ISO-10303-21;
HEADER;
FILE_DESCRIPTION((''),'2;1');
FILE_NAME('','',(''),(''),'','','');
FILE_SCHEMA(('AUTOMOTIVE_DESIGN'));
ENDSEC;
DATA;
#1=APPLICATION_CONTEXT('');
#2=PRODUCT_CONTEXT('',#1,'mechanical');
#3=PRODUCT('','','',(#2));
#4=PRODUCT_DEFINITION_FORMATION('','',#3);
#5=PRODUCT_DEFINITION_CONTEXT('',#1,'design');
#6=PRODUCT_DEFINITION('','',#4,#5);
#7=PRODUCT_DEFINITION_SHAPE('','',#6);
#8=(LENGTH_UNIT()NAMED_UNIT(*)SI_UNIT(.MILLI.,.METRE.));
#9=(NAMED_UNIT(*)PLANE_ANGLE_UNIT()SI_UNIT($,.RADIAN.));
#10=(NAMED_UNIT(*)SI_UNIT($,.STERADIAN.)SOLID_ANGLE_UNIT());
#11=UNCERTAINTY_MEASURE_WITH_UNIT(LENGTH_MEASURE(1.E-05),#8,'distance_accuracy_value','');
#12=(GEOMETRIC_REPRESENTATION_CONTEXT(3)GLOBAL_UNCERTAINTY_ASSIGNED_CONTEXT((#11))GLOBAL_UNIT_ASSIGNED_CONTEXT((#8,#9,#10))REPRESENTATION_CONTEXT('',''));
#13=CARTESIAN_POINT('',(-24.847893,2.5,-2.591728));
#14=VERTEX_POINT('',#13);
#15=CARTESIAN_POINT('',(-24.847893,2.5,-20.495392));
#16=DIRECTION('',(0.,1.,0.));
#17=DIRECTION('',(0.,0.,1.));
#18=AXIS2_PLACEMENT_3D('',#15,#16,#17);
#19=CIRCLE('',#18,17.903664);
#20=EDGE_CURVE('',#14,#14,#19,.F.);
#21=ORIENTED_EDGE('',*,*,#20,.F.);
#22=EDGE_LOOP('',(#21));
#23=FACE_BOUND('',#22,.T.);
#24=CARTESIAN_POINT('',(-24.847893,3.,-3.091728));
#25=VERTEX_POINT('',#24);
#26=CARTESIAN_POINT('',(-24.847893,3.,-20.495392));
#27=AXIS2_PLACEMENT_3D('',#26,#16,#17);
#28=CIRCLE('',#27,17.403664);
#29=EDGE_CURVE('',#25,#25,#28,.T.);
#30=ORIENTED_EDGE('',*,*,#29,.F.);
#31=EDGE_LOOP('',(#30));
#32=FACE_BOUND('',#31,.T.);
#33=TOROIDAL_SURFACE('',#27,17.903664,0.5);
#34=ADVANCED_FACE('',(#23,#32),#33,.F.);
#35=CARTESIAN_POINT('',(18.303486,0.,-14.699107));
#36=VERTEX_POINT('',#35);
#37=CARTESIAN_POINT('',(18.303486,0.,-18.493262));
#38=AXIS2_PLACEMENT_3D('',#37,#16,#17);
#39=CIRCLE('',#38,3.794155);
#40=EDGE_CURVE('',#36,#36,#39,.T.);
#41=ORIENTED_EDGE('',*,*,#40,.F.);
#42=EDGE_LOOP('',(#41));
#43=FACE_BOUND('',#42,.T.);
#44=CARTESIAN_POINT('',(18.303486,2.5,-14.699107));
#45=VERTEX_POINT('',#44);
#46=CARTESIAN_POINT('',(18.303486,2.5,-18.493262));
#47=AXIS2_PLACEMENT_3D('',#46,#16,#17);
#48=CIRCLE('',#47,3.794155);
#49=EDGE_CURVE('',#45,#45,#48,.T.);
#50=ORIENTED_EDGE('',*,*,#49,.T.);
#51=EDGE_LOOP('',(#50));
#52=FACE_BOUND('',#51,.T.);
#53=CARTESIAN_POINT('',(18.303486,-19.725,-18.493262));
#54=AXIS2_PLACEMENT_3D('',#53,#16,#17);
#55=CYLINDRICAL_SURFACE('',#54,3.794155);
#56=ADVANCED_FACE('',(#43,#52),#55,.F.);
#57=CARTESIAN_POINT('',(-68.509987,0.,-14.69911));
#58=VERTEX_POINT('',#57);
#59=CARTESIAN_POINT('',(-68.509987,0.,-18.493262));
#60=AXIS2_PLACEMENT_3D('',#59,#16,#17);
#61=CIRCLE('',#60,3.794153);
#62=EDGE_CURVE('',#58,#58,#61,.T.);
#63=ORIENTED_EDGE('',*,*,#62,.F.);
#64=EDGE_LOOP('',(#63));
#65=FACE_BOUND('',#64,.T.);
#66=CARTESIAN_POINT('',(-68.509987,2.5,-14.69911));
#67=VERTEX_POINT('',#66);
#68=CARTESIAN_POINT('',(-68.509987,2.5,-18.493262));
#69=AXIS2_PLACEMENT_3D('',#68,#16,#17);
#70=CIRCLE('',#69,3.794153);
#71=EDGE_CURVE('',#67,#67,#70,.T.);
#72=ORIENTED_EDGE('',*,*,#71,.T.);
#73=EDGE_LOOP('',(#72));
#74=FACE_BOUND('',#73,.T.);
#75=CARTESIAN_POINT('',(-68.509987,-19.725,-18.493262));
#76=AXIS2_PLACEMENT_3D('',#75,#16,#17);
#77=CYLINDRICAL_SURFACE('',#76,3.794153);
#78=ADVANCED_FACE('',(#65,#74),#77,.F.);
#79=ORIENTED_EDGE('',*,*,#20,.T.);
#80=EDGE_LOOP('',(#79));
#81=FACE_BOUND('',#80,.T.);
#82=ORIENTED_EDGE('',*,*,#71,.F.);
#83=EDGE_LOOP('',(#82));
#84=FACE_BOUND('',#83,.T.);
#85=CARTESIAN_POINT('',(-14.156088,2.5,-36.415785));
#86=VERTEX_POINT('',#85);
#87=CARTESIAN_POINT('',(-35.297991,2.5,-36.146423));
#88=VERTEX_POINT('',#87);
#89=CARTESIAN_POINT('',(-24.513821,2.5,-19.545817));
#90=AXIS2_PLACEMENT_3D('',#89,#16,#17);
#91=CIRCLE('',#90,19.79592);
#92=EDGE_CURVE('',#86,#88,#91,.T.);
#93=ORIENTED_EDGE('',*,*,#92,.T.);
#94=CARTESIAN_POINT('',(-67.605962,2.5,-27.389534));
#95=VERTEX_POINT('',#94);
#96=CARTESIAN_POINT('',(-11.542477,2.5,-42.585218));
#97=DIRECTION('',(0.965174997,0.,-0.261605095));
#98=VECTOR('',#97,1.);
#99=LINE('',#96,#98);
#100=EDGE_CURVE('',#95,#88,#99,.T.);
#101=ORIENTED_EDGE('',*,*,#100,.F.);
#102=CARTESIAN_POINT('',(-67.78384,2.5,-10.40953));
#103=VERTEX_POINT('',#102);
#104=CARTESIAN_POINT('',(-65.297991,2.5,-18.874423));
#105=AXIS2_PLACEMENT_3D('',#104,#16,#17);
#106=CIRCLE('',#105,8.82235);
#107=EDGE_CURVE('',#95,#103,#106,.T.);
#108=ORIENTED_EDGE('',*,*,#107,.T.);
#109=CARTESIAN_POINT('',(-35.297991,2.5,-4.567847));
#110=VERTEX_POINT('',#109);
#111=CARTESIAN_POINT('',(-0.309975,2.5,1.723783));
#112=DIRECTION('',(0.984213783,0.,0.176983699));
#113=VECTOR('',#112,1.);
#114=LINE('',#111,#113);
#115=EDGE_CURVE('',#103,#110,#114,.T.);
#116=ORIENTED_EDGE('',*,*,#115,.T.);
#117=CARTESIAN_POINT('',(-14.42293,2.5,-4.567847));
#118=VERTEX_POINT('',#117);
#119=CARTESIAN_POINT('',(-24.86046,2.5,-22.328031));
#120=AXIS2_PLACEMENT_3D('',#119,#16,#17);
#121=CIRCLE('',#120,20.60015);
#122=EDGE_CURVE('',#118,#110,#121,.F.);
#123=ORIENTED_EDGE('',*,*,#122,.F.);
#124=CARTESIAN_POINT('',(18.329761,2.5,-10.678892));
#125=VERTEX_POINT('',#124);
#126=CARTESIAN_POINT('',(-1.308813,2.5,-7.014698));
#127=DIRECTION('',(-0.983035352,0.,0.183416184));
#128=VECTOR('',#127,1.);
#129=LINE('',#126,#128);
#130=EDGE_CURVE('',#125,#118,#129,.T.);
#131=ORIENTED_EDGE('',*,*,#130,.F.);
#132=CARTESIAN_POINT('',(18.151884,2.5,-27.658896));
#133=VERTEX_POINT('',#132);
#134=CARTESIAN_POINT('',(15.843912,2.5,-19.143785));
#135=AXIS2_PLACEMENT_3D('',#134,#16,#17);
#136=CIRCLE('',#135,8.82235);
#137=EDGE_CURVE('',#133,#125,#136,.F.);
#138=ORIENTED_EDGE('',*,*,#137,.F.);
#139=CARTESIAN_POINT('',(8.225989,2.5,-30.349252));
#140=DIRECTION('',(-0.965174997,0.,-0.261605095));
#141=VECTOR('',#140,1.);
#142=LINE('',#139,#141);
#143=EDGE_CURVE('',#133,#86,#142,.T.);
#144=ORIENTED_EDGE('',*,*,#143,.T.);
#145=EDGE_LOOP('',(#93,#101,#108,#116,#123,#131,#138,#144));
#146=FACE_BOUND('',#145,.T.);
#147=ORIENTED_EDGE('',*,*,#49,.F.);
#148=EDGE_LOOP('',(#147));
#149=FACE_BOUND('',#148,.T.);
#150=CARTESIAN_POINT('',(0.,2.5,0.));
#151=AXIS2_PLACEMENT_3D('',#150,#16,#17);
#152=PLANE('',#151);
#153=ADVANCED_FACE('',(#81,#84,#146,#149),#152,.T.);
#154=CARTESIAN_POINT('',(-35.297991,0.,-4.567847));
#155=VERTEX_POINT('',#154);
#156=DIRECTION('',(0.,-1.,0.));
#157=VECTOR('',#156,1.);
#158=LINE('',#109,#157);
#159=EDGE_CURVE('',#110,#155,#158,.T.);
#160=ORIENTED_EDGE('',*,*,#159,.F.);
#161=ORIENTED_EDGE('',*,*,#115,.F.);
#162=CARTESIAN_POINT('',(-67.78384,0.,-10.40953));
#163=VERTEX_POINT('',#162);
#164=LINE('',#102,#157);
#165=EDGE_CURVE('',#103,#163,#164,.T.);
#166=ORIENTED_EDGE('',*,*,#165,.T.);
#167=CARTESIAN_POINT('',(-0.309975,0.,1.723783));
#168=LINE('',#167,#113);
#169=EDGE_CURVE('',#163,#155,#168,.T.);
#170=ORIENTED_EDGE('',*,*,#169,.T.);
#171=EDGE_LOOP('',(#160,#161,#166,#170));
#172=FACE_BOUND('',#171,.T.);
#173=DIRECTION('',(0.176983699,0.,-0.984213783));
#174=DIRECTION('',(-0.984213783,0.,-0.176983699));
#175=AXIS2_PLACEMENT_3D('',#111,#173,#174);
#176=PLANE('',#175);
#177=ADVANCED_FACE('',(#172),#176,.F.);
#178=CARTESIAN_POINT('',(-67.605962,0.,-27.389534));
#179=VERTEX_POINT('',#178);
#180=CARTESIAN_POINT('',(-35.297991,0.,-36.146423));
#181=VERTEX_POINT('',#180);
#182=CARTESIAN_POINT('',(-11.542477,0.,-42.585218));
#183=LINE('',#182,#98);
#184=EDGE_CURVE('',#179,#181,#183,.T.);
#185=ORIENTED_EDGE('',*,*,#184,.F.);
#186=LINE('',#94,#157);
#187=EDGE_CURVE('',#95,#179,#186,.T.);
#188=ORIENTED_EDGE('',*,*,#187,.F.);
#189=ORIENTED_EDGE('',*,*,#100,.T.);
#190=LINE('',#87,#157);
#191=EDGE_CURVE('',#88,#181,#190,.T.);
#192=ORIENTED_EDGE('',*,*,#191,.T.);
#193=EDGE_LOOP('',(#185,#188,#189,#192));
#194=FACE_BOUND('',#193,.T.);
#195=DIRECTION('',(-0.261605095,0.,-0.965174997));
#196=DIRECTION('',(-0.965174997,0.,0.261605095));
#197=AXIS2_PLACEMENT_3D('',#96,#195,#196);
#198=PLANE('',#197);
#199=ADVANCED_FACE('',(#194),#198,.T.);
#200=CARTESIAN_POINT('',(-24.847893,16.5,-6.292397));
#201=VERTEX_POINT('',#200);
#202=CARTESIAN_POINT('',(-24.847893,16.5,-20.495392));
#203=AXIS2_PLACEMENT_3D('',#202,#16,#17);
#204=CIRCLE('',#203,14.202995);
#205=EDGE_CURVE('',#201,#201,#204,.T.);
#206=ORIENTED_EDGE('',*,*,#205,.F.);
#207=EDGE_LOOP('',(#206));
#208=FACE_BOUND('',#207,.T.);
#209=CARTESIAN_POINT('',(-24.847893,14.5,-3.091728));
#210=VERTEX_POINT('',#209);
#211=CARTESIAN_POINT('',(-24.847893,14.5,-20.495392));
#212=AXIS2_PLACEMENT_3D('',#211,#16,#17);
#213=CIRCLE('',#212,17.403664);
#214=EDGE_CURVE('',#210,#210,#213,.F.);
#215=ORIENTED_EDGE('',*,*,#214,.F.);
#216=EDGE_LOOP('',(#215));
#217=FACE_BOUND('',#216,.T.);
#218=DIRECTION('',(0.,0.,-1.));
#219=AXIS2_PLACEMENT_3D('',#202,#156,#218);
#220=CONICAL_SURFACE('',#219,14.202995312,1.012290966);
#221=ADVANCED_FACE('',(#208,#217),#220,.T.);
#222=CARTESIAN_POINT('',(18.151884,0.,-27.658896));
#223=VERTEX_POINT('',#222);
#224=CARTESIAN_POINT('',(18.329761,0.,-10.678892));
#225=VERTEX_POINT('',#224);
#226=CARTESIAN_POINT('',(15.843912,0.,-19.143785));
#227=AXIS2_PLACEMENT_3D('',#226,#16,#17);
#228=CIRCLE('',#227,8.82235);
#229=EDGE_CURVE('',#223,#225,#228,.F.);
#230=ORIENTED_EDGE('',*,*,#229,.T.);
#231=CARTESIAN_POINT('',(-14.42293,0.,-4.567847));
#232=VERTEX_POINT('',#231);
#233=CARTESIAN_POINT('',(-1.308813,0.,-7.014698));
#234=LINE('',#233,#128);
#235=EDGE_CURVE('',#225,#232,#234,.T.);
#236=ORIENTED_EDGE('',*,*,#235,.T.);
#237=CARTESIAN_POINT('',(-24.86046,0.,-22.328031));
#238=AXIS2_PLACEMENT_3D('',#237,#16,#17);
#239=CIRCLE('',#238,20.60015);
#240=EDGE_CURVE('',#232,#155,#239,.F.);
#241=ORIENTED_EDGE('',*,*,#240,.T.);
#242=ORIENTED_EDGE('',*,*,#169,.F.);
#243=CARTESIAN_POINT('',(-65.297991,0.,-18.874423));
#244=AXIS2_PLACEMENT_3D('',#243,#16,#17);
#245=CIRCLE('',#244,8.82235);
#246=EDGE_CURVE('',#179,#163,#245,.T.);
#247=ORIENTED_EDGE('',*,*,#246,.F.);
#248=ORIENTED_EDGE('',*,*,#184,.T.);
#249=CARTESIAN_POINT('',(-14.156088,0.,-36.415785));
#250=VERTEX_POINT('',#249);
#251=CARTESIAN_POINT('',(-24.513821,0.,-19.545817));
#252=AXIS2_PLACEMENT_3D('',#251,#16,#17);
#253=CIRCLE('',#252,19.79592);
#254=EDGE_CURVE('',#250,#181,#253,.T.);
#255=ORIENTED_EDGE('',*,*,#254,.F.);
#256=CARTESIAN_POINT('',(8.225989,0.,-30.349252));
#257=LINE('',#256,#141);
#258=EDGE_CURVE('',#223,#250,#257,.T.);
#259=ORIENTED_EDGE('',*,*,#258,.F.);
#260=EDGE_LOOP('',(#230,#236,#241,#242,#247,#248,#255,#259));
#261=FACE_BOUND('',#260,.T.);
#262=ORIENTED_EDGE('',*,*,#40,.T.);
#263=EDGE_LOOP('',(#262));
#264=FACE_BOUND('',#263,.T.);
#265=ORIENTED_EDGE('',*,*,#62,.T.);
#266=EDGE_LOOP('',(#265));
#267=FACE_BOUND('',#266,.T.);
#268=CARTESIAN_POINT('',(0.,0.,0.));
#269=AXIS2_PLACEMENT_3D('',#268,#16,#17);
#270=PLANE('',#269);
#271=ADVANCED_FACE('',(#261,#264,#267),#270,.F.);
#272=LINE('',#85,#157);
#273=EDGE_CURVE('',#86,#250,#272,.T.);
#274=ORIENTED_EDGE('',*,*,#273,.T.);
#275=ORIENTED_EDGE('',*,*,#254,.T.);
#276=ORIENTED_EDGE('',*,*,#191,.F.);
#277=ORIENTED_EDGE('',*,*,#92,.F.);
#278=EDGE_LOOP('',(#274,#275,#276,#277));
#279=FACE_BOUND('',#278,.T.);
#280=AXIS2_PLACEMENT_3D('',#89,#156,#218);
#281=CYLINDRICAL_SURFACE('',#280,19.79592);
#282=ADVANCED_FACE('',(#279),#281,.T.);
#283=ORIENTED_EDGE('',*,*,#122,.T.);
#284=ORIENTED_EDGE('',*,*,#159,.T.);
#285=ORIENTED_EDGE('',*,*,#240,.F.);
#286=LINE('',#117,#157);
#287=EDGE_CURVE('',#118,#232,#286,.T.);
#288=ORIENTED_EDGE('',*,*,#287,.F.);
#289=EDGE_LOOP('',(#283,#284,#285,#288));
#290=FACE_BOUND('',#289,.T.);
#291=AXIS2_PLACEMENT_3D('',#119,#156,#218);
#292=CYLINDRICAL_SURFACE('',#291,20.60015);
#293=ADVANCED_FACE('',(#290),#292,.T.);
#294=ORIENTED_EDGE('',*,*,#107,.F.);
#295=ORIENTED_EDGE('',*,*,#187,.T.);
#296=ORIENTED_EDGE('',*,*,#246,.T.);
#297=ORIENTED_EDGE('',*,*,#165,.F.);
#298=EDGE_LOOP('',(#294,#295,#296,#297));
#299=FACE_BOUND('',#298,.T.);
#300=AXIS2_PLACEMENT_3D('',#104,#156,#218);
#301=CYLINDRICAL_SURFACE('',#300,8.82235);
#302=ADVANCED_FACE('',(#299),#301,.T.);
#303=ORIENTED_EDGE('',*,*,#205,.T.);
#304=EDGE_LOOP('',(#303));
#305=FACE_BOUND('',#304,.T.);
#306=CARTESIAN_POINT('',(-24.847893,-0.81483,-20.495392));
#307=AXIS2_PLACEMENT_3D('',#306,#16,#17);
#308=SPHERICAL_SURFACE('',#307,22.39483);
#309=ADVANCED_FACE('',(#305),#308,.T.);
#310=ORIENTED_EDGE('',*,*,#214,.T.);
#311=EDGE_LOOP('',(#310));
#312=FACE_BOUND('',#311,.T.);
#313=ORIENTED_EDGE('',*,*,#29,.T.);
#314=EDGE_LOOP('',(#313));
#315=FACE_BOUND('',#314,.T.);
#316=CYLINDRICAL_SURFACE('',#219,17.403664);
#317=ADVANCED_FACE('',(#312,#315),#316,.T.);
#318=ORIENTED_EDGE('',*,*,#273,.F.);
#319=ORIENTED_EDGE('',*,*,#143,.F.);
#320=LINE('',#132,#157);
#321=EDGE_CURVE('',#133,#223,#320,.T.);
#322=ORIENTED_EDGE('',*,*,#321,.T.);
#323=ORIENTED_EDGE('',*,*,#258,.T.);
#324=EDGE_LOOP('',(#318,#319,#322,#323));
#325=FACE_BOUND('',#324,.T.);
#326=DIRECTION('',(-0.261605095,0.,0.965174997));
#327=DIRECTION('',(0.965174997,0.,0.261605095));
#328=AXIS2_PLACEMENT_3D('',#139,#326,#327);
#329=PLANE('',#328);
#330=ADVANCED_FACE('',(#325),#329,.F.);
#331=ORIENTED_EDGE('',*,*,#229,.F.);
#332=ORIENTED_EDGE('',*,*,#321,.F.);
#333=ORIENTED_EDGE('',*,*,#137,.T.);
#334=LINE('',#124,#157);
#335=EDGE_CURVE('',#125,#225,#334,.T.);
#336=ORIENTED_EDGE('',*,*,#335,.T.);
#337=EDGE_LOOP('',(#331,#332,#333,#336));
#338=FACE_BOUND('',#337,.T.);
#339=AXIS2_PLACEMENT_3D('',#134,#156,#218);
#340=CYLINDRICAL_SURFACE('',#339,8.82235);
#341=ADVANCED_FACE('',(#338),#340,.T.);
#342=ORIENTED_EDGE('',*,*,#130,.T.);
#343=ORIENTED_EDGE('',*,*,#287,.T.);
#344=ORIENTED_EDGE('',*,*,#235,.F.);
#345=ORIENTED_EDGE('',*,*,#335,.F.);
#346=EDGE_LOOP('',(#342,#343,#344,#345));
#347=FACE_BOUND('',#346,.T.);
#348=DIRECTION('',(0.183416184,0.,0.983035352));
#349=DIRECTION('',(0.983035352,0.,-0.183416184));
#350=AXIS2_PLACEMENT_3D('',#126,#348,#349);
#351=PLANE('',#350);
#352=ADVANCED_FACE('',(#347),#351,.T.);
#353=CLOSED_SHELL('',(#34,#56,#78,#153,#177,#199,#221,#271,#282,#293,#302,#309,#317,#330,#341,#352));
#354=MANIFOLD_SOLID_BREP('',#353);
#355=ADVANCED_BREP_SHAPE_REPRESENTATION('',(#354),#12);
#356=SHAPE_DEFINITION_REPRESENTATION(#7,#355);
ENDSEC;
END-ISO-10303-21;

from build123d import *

# Parameters (mm, degrees)
BOSS_EXTRUDE2_DEPTH = 2.5
SKETCH3_R           = 17.40366437
BOSS_EXTRUDE3_DEPTH = 14
CHAMFER1_SIZE       = 2
CHAMFER1_SIZE2      = 3.200669058
DOME1_FACE_RADIUS   = 14.202995312
DOME1_HEIGHT        = 5.08
SKETCH4_R           = 3.794155
SKETCH4_R_2         = 3.79415255
CUT_EXTRUDE1_DEPTH  = 22.225
FILLET1_R           = 0.5


with BuildPart() as part:
    # Sketch2 → Boss-Extrude2 (new body)
    with BuildSketch(Plane(origin=(0, 0, 0), x_dir=(1, 0, 0), z_dir=(0, 1, 0))):
        with BuildLine():
            Line((-35.297990867, 36.146423133), (-67.605962497, 27.389534463))
            ThreePointArc((-67.605962497, 27.389534463), (-74.11985651, 18.96683835), (-67.783839922, 10.40953043))
            Line((-67.783839922, 10.40953043), (-35.297990867, 4.567846601))
            ThreePointArc((-35.297990867, 4.567846601), (-24.860460433, 1.727880743), (-14.422929998, 4.567846601))
            Line((-14.422929998, 4.567846601), (16.577836549, 10.352015281))
            Line((16.577836549, 10.352015281), (18.329761229, 10.678891968))
            ThreePointArc((18.329761229, 10.678891968), (24.665777818, 19.236199887), (18.151883804, 27.658896001))
            Line((18.151883804, 27.658896001), (-14.156087825, 36.415784671))
            ThreePointArc((-14.156087825, 36.415784671), (-24.766013326, 39.340130463), (-35.297990867, 36.146423133))
        make_face()
    extrude(amount=BOSS_EXTRUDE2_DEPTH)

    # Sketch3 → Boss-Extrude3 (add)
    with BuildSketch(Plane(origin=(0, 2.5, 0), x_dir=(1, 0, 0), z_dir=(0, 1, 0))):
        with Locations((-24.847892724, 20.495392169)):
            Circle(SKETCH3_R)
    extrude(amount=BOSS_EXTRUDE3_DEPTH)

    # Chamfer1
    chamfer1_edges = [part.edges().sort_by_distance(p)[0] for p in [
        (-42.251557093, 16.5, -20.495392169),
    ]]
    chamfer1_side = [part.faces().sort_by_distance(p)[0] for p in [
        (-42.251557093, 9.5, -20.495392169),
    ]]
    chamfer(chamfer1_edges, length=CHAMFER1_SIZE, length2=CHAMFER1_SIZE2, reference=chamfer1_side[0])

    # Dome1: a dome of height H over a round flat face of radius A is a cap of a sphere of radius (A * A + H * H) / (2 * H)
    dome1_r = (DOME1_FACE_RADIUS * DOME1_FACE_RADIUS + DOME1_HEIGHT * DOME1_HEIGHT) / (2 * DOME1_HEIGHT)
    dome1_base = Plane((-24.847892724, 16.5, -20.495392169), z_dir=(0, 1, 0))
    with Locations(dome1_base.offset(DOME1_HEIGHT - dome1_r)):
        dome1_ball = Sphere(dome1_r, mode=Mode.PRIVATE)
    add(split(dome1_ball, bisect_by=dome1_base, keep=Keep.TOP, mode=Mode.PRIVATE))

    # Sketch4 → Cut-Extrude1 (cut)
    with BuildSketch(Plane(origin=(0, 2.5, 0), x_dir=(1, 0, 0), z_dir=(0, 1, 0))):
        with Locations((18.303486059, 18.493262314)):
            Circle(SKETCH4_R)
        with Locations((-68.509987209, 18.493262314)):
            Circle(SKETCH4_R_2)
    extrude(amount=-CUT_EXTRUDE1_DEPTH, mode=Mode.SUBTRACT)

    # Fillet1
    fillet1_edges = [part.edges().sort_by_distance(p)[0] for p in [
        (-42.251557093, 2.5, -20.495392169),
    ]]
    fillet(fillet1_edges, radius=FILLET1_R)


solid = part.part
